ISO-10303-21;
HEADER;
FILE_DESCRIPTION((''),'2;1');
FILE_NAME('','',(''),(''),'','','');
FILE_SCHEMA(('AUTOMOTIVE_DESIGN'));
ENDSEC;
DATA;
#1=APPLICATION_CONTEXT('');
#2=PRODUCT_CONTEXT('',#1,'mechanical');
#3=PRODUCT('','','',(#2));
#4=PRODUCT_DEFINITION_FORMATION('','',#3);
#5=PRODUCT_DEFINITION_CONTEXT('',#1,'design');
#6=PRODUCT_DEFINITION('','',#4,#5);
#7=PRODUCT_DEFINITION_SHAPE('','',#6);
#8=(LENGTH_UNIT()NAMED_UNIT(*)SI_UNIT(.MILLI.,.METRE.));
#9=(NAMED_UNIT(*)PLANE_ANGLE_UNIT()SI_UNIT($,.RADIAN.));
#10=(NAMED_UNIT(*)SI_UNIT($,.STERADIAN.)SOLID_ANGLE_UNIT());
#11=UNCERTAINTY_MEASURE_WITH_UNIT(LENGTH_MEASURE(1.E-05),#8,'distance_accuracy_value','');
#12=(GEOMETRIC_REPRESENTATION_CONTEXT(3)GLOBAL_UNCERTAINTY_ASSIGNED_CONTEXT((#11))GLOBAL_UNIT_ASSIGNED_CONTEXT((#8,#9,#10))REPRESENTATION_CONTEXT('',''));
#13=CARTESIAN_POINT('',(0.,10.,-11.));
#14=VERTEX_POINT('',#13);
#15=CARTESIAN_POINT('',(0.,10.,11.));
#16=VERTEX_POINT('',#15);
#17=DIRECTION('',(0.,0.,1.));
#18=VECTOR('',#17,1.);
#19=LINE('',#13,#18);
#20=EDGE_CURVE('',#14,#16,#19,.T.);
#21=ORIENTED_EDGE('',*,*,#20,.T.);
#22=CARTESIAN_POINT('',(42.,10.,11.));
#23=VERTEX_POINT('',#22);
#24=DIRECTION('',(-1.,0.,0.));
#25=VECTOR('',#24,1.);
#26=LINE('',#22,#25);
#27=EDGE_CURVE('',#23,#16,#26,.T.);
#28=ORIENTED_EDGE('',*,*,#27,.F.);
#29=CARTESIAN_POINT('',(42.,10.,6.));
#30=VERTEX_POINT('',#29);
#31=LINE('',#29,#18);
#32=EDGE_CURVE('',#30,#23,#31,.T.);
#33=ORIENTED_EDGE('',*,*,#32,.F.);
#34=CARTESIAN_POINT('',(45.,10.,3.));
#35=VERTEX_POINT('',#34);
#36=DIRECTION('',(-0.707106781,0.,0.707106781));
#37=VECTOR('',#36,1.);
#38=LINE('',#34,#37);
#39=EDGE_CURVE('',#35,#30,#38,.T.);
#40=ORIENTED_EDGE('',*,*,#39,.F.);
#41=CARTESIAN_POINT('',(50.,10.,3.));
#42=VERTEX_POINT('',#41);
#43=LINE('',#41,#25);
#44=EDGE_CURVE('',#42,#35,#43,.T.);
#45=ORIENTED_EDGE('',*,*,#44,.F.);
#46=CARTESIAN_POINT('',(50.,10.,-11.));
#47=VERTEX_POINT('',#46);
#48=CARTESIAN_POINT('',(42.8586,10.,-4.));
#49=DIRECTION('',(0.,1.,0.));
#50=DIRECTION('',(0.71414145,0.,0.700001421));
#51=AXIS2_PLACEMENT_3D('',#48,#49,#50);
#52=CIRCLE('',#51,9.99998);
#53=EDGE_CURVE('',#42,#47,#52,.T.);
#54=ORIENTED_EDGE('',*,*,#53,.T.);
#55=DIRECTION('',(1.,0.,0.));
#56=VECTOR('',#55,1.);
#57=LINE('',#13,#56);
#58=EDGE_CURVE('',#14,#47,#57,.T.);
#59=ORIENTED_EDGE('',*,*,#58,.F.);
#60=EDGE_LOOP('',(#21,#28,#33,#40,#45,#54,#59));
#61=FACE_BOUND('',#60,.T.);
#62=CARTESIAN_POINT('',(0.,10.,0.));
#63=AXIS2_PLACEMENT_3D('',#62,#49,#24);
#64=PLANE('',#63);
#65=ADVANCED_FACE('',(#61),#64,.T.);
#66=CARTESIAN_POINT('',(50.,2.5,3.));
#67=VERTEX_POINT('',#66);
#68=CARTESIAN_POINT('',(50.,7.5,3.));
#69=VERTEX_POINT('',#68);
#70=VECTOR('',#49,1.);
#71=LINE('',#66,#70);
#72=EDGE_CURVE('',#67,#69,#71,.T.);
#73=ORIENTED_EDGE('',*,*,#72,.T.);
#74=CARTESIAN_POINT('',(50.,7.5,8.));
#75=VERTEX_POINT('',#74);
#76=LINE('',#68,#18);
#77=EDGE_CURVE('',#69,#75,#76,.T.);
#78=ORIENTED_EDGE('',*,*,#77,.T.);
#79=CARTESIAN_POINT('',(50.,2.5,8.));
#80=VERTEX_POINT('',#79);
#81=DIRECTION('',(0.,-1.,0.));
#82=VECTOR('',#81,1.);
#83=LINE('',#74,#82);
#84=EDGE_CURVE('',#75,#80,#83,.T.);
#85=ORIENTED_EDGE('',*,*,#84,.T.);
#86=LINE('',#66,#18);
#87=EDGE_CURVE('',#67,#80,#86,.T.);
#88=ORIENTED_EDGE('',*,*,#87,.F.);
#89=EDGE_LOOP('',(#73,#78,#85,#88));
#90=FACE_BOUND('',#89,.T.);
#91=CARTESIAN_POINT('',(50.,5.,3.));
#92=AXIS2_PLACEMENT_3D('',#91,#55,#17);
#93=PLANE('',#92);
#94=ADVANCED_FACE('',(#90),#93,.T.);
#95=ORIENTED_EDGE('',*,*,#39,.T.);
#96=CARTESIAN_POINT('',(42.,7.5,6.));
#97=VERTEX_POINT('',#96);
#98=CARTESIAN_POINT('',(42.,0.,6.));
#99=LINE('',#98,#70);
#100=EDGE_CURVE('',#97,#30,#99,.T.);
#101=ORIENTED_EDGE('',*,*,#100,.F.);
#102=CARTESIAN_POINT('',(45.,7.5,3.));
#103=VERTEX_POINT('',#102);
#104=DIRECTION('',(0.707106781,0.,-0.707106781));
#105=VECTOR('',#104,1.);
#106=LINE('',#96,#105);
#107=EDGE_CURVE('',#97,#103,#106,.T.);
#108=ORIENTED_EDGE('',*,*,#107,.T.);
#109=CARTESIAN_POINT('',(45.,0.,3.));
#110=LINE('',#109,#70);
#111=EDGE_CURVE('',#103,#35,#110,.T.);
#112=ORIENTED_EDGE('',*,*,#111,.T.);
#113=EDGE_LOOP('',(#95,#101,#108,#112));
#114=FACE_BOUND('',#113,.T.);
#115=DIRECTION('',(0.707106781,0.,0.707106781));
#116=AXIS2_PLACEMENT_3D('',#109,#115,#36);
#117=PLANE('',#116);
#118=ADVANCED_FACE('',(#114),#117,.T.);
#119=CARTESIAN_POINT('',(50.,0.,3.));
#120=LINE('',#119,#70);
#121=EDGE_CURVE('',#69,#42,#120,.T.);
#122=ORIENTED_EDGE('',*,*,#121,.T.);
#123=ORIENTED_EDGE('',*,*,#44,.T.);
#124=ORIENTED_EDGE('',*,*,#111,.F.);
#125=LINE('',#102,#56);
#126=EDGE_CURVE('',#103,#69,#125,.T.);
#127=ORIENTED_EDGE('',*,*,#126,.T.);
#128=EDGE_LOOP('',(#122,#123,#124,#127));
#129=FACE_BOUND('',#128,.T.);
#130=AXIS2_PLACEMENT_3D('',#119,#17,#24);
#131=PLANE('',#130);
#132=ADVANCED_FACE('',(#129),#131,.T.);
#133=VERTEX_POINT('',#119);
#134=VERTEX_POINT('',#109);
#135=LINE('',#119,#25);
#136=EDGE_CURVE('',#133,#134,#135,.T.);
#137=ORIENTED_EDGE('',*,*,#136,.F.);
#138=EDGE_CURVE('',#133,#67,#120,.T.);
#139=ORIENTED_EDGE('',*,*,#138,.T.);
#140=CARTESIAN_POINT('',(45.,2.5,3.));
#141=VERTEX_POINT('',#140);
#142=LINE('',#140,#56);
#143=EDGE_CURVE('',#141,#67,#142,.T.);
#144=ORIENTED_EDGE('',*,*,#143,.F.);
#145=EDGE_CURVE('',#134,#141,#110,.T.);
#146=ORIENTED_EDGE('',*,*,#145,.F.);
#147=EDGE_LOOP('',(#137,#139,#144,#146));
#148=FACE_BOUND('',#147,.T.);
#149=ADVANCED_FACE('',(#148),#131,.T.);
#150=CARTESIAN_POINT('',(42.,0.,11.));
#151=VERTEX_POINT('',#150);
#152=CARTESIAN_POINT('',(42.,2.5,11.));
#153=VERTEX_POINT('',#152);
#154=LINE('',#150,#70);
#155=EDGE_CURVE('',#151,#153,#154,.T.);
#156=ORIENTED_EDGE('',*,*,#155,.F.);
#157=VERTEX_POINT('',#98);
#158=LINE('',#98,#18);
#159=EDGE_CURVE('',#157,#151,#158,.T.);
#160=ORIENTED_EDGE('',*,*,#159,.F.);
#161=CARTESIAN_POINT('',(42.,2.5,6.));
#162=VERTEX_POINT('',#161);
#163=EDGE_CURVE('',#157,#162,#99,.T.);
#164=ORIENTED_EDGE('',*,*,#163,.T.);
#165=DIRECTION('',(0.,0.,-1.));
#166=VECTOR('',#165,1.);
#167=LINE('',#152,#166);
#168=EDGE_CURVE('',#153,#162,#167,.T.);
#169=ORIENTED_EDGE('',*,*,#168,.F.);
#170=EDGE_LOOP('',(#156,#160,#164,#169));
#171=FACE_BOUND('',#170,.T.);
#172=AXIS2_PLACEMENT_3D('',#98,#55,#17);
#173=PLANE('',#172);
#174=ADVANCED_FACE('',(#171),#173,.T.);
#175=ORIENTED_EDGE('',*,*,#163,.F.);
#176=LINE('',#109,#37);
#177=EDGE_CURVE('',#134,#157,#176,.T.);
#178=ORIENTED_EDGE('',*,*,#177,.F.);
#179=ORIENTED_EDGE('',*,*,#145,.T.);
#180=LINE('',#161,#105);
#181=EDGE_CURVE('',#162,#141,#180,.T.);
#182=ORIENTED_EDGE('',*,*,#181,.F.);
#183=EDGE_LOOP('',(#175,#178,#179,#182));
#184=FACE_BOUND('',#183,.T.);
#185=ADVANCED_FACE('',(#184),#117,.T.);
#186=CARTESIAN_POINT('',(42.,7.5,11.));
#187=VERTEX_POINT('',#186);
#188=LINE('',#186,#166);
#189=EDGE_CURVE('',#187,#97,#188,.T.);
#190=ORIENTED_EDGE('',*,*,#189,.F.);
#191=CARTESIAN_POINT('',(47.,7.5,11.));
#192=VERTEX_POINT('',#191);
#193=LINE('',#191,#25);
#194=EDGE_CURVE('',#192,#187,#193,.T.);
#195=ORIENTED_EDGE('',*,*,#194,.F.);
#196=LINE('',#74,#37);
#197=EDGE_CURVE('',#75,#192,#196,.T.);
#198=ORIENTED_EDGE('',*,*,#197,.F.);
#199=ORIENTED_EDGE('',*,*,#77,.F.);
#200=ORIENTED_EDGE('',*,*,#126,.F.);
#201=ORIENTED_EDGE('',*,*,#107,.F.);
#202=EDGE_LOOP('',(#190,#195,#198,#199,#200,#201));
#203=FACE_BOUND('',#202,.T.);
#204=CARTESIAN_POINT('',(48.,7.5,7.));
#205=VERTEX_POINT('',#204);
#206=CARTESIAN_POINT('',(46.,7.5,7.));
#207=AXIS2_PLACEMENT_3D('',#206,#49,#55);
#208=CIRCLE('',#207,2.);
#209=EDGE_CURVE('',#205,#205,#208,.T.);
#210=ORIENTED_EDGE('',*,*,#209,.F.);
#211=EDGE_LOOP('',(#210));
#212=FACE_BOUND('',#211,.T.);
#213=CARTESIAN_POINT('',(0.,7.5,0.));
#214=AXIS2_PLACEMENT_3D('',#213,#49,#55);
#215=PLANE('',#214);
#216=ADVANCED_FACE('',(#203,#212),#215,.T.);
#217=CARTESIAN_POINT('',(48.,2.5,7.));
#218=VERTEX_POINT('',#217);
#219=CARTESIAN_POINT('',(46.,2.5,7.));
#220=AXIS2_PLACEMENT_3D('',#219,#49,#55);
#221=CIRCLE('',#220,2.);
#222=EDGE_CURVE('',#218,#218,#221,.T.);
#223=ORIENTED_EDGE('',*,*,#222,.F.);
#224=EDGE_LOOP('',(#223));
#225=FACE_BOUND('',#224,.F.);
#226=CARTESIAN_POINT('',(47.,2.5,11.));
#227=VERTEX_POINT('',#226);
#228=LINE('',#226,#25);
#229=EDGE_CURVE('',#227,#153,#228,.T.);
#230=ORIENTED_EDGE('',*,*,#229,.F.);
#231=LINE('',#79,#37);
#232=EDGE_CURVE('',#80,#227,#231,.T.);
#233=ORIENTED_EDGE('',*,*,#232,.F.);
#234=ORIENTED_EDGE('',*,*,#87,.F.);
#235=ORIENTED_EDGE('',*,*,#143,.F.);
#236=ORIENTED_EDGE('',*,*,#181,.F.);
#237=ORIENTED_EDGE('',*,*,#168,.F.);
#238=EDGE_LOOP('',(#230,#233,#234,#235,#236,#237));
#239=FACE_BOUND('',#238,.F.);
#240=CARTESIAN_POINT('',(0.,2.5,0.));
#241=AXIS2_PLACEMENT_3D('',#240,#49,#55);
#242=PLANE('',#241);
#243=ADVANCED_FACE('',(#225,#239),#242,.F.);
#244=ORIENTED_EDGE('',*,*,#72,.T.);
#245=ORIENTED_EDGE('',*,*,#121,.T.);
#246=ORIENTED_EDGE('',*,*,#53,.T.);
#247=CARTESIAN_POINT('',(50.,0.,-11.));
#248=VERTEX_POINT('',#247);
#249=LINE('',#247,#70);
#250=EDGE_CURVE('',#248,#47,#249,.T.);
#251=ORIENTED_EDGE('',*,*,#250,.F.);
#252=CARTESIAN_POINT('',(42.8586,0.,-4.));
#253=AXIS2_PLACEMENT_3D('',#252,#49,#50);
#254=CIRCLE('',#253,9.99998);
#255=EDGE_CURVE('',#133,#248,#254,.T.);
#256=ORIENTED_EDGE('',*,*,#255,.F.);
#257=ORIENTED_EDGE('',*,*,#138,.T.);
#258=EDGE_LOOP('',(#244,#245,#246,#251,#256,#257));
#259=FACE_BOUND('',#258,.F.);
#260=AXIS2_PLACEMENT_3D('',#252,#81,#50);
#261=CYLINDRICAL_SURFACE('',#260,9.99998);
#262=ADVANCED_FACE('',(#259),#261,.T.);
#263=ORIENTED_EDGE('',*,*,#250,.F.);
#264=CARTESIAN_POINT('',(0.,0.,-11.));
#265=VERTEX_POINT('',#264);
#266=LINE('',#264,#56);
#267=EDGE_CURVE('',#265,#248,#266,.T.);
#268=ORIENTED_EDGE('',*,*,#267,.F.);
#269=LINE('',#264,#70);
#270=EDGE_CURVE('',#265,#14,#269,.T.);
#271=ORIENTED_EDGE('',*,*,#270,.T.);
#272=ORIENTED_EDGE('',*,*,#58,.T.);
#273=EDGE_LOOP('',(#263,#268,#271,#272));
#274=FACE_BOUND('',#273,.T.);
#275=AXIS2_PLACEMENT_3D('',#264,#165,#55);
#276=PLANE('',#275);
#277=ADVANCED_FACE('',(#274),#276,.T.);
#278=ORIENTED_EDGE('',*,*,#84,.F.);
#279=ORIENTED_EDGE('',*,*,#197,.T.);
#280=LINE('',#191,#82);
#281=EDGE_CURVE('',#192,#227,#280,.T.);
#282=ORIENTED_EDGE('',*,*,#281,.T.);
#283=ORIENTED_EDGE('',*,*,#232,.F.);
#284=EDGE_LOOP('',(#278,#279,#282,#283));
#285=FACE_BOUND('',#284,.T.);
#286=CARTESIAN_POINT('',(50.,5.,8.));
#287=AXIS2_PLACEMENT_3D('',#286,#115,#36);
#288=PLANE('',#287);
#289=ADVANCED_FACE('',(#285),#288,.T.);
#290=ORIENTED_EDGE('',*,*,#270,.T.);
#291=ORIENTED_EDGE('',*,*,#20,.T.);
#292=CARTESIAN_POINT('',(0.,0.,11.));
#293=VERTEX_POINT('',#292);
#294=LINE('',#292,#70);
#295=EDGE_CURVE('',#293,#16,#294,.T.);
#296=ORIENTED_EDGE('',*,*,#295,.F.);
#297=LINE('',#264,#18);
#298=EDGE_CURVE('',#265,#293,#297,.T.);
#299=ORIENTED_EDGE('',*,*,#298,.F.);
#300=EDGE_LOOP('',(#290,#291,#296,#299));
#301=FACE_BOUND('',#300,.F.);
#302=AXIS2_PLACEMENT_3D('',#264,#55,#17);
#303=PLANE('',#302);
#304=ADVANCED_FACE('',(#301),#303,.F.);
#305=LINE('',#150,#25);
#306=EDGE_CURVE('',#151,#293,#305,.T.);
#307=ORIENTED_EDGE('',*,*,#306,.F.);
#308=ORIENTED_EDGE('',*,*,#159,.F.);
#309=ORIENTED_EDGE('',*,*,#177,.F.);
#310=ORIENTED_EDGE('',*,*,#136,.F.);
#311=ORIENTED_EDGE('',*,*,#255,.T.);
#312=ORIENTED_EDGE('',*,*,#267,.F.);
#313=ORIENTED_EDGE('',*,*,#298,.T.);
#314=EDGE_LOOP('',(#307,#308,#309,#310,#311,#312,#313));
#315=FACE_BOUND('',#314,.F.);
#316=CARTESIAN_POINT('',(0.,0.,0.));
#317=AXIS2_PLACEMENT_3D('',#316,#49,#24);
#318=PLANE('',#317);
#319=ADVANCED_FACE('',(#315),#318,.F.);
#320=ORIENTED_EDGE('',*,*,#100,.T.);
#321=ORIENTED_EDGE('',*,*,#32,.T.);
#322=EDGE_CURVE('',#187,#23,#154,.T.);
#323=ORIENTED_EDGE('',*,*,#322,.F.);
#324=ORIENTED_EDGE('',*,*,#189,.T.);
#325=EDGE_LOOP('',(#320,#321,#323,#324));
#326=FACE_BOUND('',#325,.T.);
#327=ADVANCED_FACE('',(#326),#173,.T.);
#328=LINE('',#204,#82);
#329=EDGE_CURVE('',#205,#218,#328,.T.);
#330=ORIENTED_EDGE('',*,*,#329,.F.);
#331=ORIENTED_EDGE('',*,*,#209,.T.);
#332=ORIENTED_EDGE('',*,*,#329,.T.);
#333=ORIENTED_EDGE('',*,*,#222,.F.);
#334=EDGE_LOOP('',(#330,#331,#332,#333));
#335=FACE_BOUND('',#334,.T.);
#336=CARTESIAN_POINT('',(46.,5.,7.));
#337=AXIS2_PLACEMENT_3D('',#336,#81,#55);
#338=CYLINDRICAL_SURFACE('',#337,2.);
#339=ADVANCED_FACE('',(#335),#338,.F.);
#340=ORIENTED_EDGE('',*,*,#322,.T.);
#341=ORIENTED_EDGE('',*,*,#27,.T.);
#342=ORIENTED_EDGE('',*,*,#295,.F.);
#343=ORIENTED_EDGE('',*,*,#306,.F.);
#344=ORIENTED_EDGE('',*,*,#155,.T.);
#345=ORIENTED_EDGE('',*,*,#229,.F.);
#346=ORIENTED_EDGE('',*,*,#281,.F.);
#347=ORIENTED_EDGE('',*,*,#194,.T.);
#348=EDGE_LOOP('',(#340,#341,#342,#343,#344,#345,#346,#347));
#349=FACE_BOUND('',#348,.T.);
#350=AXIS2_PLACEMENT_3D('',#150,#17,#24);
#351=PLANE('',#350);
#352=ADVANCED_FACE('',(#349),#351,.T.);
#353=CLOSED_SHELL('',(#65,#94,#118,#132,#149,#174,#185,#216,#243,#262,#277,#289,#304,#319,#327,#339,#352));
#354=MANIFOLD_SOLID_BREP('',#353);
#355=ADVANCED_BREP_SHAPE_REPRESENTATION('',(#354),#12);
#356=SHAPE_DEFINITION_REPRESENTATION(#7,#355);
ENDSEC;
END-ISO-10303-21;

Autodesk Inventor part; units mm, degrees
ref_plane "YZ Plane" through (0, 0, 0) normal (1, 0, 0) x (0, 1, 0)
ref_plane "XZ Plane" through (0, 0, 0) normal (0, 1, 0) x (-1, 0, 0)
sketch "Эскиз1" plane through (0, 0, 0) normal (0, 1, 0) x (-1, 0, 0)
  line L0 (0, -11) -> (-50, -11)
  arc A0 (-50, 3) -> (-50, -11) centre (-42.8586, -4) ccw
  line L1 (-42, 11) -> (0, 11)
  line L2 (-50, 3) -> (-45, 3)
  line L3 (-45, 3) -> (-42, 6)
  line L4 (-42, 6) -> (-42, 11)
  line L5 (0, -11) -> (0, 11)
  point P0 (0, 0)
  point P1 (0, 0)
  dimension "d3" = 50
  dimension "d4" = 7
  dimension "d5" = 10
  dimension "d9" = 45
  dimension "d10" = 3
  dimension "d11" = 22
extrude "Выдавливание1" add sketch "Эскиз1" along normal blind 10
ref_plane "РабПлоскость1" through (0, 5, 0) normal (0, 1, 0) x (1, 0, 0)
sketch "Эскиз6" plane through (0, 5, 0) normal (0, 1, 0) x (1, 0, 0)
  line L0 (50, 11) -> (0, 11) projected
  line L1 (0, 11) -> (0, -11) projected
  line L2 (0, -11) -> (42, -11) projected
  line L3 (42, -11) -> (42, -6) projected
  line L4 (42, -6) -> (45, -3) projected
  line L5 (45, -3) -> (50, -3) projected
  arc A0 (50, -3) -> (50, 11) centre (42.8586, 4) ccw projected
  line L6 (45, -3) -> (50, -3) projected
  line L7 (50, -3) -> (50, -8)
  line L8 (50, -8) -> (47, -11)
  line L9 (0, -11) -> (42, -11) projected
  line L10 (47, -11) -> (42, -11)
  line L11 (42, -6) -> (45, -3) projected
  arc A1 (50, -3) -> (50, 11) centre (42.8586, 4) ccw projected
  line L12 (42, -11) -> (50, -3) construction
  circle A2 centre (46, -7) radius 2
  point P0 (0, 0)
  dimension "d25" = 4
extrude "Выдавливание4" add sketch "Эскиз6" along normal mid plane 5 contours L7 L8 L10 L3 L4 L5
properties part number "Prototype"
